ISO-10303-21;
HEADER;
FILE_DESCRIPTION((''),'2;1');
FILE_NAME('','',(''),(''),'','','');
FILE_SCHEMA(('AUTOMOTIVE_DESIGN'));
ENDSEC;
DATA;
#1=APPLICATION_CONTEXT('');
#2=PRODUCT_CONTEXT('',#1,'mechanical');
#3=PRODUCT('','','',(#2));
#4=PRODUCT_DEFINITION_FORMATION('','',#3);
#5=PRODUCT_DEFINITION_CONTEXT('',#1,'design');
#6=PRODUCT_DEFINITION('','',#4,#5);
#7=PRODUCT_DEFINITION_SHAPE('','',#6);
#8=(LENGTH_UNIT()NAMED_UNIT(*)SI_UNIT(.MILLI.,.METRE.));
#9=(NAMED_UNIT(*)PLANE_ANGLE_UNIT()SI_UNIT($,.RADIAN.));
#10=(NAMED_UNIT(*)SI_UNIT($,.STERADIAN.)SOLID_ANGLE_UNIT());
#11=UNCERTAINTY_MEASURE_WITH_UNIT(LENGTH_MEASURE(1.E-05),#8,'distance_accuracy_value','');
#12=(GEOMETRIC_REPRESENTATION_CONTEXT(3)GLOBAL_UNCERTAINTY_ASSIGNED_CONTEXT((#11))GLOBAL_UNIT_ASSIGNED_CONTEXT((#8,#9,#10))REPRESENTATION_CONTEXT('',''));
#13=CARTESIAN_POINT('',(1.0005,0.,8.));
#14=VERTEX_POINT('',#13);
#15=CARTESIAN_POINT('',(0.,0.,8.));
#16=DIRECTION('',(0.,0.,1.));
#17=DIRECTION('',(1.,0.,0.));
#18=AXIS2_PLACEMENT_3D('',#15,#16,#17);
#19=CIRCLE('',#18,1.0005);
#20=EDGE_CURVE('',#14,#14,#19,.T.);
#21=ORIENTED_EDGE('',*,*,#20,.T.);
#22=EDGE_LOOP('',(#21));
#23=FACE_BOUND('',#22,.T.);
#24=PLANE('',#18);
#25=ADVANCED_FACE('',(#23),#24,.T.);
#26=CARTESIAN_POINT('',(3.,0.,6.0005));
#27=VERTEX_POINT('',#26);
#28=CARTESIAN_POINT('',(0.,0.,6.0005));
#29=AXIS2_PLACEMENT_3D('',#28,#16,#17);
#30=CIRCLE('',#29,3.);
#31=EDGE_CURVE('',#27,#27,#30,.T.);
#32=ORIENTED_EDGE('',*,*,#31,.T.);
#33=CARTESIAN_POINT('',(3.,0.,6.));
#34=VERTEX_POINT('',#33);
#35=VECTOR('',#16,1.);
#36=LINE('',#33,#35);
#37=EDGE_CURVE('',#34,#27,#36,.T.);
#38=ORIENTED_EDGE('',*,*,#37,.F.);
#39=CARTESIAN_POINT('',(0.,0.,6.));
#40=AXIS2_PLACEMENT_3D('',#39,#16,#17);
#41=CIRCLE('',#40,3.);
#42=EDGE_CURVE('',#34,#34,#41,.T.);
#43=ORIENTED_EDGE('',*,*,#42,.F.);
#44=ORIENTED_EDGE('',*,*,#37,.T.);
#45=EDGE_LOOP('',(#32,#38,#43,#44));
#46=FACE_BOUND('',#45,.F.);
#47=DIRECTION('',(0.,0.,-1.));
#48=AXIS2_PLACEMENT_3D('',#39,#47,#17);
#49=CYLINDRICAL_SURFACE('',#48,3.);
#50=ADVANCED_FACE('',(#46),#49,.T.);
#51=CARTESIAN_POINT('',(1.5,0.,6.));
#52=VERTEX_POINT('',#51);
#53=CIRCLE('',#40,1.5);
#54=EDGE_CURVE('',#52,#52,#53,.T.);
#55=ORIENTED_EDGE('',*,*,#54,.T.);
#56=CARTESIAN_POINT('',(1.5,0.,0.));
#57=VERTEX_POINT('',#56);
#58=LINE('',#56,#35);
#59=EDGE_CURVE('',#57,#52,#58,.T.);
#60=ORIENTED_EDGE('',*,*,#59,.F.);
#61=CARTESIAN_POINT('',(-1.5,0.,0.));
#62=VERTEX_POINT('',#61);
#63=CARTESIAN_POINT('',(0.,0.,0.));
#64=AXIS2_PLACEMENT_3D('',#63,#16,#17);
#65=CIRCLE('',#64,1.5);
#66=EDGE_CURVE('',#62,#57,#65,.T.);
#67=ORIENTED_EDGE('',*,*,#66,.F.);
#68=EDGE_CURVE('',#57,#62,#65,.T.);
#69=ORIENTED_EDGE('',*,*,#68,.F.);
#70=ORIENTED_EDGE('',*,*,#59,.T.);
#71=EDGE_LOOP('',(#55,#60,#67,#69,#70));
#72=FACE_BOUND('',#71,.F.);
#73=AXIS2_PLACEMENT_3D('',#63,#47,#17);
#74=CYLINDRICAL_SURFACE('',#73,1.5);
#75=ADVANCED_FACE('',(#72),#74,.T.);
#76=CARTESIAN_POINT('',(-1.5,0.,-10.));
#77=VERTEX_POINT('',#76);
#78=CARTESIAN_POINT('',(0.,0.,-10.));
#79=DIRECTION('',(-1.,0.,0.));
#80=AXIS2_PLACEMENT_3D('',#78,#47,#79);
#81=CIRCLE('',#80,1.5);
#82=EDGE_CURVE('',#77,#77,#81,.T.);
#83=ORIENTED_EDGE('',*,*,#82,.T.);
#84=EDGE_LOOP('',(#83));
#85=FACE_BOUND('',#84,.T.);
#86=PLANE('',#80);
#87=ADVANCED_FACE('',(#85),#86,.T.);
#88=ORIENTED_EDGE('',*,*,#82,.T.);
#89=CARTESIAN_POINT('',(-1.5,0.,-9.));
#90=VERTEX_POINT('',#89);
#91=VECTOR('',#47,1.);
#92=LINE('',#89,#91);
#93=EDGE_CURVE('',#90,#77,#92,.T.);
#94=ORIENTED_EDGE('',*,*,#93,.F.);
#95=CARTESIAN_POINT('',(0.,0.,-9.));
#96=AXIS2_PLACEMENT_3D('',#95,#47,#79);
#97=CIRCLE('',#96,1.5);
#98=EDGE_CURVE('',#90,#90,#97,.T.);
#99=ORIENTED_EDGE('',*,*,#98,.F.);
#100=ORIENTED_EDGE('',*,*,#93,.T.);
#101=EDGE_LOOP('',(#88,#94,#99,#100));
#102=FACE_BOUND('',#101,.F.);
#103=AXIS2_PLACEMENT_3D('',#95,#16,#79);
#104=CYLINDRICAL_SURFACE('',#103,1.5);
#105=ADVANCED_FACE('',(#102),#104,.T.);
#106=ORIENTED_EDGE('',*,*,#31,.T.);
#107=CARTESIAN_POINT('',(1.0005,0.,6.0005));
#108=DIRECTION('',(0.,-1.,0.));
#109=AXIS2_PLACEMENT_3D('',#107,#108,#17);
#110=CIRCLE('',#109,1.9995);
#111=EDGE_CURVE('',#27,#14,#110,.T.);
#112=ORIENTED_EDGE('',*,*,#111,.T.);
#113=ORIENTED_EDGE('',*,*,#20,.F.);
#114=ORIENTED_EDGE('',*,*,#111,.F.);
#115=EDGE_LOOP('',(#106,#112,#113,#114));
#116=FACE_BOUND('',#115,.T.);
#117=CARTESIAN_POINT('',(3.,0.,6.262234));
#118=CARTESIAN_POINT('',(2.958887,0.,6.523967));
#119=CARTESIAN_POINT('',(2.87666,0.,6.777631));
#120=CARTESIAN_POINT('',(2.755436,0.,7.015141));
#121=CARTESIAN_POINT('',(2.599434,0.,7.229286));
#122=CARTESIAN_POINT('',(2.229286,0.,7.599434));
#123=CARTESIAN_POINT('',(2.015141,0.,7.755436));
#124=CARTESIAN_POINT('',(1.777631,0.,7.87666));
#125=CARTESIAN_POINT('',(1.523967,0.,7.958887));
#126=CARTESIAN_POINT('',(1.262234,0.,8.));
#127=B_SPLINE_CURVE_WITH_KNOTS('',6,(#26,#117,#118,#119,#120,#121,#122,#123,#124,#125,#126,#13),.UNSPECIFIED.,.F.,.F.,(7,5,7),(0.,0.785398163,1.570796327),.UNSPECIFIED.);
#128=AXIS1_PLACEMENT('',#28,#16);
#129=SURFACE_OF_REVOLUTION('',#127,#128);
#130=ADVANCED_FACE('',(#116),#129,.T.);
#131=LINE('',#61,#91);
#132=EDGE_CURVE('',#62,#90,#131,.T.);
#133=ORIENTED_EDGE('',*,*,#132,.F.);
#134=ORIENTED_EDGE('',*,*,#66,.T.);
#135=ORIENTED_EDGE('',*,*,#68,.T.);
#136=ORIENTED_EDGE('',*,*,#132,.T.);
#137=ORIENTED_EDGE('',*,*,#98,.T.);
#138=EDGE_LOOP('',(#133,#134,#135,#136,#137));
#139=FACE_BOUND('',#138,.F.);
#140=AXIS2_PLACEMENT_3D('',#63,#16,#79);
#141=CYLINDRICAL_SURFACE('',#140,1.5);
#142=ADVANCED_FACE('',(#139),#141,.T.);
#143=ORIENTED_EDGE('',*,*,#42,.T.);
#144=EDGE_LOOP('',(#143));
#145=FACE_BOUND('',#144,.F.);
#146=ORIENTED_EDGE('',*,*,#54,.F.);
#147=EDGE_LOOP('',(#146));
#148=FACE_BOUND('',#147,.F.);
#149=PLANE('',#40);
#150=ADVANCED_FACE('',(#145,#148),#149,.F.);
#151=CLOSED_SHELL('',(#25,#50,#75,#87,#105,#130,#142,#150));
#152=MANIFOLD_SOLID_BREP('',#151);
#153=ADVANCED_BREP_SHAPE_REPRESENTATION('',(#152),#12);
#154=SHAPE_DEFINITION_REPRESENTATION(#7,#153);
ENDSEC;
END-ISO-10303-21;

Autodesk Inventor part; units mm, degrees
ref_plane "YZ Plane" through (0, 0, 0) normal (1, 0, 0) x (0, 1, 0)
ref_plane "XZ Plane" through (0, 0, 0) normal (0, 1, 0) x (-1, 0, 0)
ref_plane "XY Plane" through (0, 0, 0) normal (0, 0, 1) x (1, 0, 0)
sketch "スケッチ1" plane through (0, 0, 0) normal (0, 0, 1) x (1, 0, 0)
  circle A0 centre (0, 0) radius 1.5
  dimension "d0" = 3
extrude "押し出し1" add sketch "スケッチ1" along normal blind 6
sketch "スケッチ2" plane through (0, 0, 6) normal (0, 0, 1) x (1, 0, 0)
  circle A0 centre (0, 0) radius 1.5 projected
  circle A1 centre (0, 0) radius 3
  dimension "d3" = 6
extrude "押し出し2" add sketch "スケッチ2" along normal blind 2 contours A0 | A1
fillet "フィレット1" radius 2 1 edges at (-3, 0, 8)
thread "ねじ1" size "M3x0.5" class "6g" standard "ANSI Metric M Profile" full length
sketch "スケッチ3" plane through (0, 0, 0) normal (0, 0, -1) x (-1, 0, 0)
  circle A0 centre (0, 0) radius 1.5 projected
extrude "押し出し3" add sketch "スケッチ3" along normal blind 9
sketch "スケッチ4" plane through (0, 0, -9) normal (0, 0, -1) x (-1, 0, 0)
  circle A0 centre (0, 0) radius 1.5 projected
extrude "押し出し4" add sketch "スケッチ4" along normal blind 1
properties part number "SB　16mmなべネジ" material "Steel, Mild"
